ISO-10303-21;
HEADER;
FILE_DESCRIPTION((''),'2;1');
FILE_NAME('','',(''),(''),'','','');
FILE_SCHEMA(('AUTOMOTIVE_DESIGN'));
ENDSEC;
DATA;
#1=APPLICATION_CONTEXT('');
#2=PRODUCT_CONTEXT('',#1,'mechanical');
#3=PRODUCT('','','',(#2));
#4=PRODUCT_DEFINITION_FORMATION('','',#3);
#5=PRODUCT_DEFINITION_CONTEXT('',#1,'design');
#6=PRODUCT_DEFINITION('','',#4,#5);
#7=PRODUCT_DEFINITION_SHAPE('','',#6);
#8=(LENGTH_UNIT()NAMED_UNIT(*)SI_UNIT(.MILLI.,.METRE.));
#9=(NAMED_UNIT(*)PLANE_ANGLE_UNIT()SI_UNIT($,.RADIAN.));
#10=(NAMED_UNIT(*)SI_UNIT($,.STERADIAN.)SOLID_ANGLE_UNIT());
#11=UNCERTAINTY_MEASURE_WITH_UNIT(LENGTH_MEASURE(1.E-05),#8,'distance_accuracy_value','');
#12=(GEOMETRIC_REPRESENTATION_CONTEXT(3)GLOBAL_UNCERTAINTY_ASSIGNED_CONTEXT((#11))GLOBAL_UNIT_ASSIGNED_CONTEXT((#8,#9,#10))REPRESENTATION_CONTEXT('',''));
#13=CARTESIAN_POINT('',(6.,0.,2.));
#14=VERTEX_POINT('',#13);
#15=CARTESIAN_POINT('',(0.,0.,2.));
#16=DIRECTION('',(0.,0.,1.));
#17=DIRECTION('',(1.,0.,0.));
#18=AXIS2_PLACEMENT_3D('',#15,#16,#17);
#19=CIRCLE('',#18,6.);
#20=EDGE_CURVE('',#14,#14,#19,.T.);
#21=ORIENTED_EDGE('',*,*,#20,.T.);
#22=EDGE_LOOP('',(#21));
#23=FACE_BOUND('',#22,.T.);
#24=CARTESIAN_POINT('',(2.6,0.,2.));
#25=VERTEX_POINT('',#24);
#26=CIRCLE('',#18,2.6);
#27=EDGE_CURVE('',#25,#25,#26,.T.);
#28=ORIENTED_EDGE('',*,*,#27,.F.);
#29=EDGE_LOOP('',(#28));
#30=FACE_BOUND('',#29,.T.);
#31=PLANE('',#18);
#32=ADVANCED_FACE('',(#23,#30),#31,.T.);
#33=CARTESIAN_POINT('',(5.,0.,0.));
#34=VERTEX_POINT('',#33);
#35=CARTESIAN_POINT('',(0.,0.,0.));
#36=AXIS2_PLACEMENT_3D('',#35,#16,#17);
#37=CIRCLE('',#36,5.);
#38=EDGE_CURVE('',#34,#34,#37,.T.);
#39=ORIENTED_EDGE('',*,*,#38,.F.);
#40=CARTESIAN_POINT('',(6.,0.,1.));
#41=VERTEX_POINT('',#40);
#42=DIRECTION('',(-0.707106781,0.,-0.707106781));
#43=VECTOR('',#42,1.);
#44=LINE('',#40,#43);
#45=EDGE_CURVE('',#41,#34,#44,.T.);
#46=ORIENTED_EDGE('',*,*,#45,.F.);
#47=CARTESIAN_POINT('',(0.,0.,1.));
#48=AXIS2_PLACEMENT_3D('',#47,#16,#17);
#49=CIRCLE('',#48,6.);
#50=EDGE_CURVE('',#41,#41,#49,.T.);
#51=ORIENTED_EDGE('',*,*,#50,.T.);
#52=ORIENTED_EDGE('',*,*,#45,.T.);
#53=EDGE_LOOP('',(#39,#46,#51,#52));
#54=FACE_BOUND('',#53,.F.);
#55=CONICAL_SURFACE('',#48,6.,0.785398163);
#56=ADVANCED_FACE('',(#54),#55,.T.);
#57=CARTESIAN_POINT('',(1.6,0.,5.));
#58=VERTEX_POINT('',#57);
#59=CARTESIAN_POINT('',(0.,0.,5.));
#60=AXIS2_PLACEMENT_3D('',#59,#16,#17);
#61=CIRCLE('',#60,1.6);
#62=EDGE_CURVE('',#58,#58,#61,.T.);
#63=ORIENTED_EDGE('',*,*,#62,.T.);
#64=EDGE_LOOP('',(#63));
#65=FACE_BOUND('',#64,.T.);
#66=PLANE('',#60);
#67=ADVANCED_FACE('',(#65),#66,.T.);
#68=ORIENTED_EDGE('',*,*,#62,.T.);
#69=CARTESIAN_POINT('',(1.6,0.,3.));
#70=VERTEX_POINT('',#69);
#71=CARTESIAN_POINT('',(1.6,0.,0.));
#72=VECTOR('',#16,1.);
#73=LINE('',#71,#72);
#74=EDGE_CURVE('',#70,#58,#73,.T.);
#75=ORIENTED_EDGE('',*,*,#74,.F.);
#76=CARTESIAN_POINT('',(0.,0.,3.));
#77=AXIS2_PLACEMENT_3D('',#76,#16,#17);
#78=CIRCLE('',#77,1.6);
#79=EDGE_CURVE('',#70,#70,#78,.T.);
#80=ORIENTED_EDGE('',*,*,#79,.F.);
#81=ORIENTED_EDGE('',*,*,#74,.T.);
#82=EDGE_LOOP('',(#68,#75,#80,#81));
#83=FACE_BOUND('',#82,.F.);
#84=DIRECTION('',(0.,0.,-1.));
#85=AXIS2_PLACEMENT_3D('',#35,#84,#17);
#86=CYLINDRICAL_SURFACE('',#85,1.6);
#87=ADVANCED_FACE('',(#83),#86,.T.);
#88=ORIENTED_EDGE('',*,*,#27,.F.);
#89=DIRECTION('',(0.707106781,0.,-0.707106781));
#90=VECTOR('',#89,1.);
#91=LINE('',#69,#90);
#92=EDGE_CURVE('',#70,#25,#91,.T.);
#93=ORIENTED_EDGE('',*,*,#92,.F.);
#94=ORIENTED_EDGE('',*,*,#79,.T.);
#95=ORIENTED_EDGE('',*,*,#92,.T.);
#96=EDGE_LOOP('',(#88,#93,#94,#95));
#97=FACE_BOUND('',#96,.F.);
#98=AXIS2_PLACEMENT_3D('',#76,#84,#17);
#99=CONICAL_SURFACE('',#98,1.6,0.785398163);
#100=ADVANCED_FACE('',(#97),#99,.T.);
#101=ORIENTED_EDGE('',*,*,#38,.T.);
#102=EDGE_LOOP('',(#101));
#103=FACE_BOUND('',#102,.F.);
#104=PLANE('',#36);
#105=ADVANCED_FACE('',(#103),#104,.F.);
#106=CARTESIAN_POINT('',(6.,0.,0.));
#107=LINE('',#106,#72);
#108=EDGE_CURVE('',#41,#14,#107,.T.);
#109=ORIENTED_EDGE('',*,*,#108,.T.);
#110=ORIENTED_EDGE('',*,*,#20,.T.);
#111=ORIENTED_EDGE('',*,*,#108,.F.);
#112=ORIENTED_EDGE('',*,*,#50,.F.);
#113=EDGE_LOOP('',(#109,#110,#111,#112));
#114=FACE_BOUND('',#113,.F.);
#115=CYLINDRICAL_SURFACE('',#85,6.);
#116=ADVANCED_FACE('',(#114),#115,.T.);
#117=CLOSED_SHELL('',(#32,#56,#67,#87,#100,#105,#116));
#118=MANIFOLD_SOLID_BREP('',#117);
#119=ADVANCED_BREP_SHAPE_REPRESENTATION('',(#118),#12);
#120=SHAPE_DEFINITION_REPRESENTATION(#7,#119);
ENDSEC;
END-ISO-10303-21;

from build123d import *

# Parameters (mm, degrees)
F0_R     = 6
F0_R_2   = 1.6
F1_DEPTH = 2
F2_DEPTH = 5
F3_SIZE  = 1


with BuildPart() as f1:
    # F0 (on Top) → F1 (new body)
    with BuildSketch(Plane.XY):
        Circle(F0_R)
        Circle(F0_R_2, mode=Mode.SUBTRACT)
    extrude(amount=F1_DEPTH)

    # F0 (on Top) → F2 (join)
    with BuildSketch(Plane.XY):
        Circle(F0_R_2)
    extrude(amount=F2_DEPTH)

    # F3
    f3_edges = [f1.edges().sort_by_distance(p)[0] for p in [
        (-6, 0, 0),
        (-1.6, 0, 2),
    ]]
    chamfer(f3_edges, length=F3_SIZE)


solid = f1.part
